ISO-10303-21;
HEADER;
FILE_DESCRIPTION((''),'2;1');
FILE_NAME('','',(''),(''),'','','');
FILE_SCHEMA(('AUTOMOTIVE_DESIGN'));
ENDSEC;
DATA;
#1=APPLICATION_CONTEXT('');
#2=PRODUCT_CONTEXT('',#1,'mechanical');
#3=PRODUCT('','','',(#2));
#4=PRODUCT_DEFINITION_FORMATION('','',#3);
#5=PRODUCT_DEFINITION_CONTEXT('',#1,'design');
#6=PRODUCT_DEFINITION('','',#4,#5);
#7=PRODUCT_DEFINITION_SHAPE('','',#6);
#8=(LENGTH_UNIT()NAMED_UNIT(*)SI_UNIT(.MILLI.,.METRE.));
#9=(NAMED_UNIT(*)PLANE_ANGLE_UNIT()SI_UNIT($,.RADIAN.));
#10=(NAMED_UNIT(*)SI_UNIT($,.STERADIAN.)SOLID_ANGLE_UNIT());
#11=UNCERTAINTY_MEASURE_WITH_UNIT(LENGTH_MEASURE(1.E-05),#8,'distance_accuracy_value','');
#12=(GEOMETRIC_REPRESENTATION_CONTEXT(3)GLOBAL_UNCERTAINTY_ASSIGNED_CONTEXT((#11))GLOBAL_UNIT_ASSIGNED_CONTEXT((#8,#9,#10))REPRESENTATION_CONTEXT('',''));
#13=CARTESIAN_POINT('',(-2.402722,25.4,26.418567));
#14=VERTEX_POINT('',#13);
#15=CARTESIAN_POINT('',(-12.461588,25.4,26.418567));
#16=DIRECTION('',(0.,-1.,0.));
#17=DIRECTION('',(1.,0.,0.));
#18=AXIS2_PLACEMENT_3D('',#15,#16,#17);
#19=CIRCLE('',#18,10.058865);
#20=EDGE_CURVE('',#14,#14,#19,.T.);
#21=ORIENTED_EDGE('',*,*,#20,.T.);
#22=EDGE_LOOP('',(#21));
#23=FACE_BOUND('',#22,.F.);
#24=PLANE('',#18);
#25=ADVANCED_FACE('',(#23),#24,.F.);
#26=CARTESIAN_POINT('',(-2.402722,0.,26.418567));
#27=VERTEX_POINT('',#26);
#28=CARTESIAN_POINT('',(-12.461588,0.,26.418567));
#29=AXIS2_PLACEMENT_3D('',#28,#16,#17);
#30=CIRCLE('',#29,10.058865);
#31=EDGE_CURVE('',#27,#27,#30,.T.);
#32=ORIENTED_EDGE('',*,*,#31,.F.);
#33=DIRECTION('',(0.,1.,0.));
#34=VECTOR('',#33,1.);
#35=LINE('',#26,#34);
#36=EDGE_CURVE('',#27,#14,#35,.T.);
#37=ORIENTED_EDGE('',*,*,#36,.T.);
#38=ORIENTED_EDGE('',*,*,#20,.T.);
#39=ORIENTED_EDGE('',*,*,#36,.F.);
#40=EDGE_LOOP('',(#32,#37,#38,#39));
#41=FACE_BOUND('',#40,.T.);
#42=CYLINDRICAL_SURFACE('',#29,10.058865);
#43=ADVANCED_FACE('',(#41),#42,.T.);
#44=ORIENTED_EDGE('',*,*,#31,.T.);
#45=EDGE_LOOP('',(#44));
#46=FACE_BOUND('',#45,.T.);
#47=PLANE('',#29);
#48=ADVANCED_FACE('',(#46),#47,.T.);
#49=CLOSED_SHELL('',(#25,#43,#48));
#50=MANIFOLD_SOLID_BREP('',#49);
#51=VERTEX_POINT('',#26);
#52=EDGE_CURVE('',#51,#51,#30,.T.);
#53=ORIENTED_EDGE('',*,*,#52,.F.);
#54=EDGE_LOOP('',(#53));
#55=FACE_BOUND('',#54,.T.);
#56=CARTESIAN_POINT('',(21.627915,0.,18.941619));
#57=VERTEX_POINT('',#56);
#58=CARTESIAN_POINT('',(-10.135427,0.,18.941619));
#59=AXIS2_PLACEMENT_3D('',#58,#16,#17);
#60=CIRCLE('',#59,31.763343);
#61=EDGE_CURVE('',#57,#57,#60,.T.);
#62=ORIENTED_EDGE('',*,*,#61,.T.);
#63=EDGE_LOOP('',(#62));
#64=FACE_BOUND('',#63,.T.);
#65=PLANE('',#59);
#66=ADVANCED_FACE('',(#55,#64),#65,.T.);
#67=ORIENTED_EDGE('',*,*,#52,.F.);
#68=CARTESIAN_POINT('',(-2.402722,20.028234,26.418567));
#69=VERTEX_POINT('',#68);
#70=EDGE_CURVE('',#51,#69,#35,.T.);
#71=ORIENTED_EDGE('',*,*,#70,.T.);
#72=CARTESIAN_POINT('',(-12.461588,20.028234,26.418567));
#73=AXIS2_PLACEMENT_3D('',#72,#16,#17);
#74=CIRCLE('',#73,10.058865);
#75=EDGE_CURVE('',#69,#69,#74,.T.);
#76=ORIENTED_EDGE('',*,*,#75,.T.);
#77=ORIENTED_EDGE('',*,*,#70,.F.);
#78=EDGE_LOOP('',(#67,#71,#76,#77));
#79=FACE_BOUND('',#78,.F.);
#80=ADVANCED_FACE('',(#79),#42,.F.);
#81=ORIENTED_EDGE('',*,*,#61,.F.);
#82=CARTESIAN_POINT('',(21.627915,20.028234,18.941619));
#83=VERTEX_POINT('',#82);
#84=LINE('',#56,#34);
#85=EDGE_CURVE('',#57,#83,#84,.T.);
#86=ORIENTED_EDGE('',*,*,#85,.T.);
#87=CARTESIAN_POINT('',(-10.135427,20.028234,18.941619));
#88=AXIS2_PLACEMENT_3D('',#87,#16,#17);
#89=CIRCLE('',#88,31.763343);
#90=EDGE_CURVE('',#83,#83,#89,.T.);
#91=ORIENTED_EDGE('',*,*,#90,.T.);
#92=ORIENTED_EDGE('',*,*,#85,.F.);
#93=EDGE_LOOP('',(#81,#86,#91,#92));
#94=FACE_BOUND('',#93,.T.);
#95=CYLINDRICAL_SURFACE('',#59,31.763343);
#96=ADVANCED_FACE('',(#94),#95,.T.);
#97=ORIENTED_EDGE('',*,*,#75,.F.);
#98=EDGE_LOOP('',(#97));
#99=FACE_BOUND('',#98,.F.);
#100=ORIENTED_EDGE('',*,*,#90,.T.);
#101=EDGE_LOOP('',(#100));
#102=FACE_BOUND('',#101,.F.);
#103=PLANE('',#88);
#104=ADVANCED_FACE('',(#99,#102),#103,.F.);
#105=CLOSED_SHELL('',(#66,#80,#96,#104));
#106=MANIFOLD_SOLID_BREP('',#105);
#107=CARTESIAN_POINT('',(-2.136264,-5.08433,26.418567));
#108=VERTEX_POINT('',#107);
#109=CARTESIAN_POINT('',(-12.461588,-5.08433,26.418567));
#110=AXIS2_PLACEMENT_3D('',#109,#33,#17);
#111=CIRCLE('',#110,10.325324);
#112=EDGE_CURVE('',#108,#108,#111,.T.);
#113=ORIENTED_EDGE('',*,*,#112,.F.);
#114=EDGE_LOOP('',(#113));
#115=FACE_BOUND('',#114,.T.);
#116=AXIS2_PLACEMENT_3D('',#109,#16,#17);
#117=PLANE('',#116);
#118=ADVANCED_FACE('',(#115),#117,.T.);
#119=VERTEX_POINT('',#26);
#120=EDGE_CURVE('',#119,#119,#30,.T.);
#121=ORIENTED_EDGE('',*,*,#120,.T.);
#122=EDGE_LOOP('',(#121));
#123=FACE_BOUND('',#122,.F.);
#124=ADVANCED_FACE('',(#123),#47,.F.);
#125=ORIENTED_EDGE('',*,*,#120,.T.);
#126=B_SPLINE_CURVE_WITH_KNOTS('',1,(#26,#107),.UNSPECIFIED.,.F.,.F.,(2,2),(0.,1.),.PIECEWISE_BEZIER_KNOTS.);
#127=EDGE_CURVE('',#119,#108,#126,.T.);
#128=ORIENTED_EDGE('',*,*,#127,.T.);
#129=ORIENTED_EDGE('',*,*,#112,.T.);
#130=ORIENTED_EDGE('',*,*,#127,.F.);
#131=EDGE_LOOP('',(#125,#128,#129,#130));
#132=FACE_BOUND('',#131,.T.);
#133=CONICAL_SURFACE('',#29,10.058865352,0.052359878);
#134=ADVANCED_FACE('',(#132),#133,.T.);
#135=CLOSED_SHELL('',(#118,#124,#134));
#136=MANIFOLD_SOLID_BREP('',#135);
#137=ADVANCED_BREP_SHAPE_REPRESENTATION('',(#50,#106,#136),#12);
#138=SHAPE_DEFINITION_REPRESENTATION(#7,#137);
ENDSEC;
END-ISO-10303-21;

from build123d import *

# Parameters (mm, degrees)
F0_R     = 31.7633425833
F0_R_2   = 10.0588653516
F1_DEPTH = 20.0282335281
F2_R     = 10.0588653516
F3_DEPTH = 5.0843302161
F3_TAPER = -3
F4_DEPTH = 25.4


with BuildPart() as f1:
    # F0 (on Front) → F1 (new body)
    with BuildSketch(Plane.XZ):
        with Locations((-10.1354271173, 18.9416185021)):
            Circle(F0_R)
        with Locations((-12.4615877867, 26.4185667038)):
            Circle(F0_R_2, mode=Mode.SUBTRACT)
    extrude(amount=-F1_DEPTH)


with BuildPart() as f3:
    # F2 (on face) → F3 (new body)
    with BuildSketch(Plane.XZ):
        with Locations((-12.4615877867, 26.4185667038)):
            Circle(F2_R)
    extrude(amount=F3_DEPTH, taper=F3_TAPER)


with BuildPart() as f4:
    # F4 (new): a face of the model
    f4_faces = [f3.part.faces().sort_by_distance(p)[0] for p in [
        (-12.4615877867, 0, 26.4185667038),
    ]]
    extrude(f4_faces, amount=F4_DEPTH)


solid = Compound([f1.part, f3.part, f4.part])
